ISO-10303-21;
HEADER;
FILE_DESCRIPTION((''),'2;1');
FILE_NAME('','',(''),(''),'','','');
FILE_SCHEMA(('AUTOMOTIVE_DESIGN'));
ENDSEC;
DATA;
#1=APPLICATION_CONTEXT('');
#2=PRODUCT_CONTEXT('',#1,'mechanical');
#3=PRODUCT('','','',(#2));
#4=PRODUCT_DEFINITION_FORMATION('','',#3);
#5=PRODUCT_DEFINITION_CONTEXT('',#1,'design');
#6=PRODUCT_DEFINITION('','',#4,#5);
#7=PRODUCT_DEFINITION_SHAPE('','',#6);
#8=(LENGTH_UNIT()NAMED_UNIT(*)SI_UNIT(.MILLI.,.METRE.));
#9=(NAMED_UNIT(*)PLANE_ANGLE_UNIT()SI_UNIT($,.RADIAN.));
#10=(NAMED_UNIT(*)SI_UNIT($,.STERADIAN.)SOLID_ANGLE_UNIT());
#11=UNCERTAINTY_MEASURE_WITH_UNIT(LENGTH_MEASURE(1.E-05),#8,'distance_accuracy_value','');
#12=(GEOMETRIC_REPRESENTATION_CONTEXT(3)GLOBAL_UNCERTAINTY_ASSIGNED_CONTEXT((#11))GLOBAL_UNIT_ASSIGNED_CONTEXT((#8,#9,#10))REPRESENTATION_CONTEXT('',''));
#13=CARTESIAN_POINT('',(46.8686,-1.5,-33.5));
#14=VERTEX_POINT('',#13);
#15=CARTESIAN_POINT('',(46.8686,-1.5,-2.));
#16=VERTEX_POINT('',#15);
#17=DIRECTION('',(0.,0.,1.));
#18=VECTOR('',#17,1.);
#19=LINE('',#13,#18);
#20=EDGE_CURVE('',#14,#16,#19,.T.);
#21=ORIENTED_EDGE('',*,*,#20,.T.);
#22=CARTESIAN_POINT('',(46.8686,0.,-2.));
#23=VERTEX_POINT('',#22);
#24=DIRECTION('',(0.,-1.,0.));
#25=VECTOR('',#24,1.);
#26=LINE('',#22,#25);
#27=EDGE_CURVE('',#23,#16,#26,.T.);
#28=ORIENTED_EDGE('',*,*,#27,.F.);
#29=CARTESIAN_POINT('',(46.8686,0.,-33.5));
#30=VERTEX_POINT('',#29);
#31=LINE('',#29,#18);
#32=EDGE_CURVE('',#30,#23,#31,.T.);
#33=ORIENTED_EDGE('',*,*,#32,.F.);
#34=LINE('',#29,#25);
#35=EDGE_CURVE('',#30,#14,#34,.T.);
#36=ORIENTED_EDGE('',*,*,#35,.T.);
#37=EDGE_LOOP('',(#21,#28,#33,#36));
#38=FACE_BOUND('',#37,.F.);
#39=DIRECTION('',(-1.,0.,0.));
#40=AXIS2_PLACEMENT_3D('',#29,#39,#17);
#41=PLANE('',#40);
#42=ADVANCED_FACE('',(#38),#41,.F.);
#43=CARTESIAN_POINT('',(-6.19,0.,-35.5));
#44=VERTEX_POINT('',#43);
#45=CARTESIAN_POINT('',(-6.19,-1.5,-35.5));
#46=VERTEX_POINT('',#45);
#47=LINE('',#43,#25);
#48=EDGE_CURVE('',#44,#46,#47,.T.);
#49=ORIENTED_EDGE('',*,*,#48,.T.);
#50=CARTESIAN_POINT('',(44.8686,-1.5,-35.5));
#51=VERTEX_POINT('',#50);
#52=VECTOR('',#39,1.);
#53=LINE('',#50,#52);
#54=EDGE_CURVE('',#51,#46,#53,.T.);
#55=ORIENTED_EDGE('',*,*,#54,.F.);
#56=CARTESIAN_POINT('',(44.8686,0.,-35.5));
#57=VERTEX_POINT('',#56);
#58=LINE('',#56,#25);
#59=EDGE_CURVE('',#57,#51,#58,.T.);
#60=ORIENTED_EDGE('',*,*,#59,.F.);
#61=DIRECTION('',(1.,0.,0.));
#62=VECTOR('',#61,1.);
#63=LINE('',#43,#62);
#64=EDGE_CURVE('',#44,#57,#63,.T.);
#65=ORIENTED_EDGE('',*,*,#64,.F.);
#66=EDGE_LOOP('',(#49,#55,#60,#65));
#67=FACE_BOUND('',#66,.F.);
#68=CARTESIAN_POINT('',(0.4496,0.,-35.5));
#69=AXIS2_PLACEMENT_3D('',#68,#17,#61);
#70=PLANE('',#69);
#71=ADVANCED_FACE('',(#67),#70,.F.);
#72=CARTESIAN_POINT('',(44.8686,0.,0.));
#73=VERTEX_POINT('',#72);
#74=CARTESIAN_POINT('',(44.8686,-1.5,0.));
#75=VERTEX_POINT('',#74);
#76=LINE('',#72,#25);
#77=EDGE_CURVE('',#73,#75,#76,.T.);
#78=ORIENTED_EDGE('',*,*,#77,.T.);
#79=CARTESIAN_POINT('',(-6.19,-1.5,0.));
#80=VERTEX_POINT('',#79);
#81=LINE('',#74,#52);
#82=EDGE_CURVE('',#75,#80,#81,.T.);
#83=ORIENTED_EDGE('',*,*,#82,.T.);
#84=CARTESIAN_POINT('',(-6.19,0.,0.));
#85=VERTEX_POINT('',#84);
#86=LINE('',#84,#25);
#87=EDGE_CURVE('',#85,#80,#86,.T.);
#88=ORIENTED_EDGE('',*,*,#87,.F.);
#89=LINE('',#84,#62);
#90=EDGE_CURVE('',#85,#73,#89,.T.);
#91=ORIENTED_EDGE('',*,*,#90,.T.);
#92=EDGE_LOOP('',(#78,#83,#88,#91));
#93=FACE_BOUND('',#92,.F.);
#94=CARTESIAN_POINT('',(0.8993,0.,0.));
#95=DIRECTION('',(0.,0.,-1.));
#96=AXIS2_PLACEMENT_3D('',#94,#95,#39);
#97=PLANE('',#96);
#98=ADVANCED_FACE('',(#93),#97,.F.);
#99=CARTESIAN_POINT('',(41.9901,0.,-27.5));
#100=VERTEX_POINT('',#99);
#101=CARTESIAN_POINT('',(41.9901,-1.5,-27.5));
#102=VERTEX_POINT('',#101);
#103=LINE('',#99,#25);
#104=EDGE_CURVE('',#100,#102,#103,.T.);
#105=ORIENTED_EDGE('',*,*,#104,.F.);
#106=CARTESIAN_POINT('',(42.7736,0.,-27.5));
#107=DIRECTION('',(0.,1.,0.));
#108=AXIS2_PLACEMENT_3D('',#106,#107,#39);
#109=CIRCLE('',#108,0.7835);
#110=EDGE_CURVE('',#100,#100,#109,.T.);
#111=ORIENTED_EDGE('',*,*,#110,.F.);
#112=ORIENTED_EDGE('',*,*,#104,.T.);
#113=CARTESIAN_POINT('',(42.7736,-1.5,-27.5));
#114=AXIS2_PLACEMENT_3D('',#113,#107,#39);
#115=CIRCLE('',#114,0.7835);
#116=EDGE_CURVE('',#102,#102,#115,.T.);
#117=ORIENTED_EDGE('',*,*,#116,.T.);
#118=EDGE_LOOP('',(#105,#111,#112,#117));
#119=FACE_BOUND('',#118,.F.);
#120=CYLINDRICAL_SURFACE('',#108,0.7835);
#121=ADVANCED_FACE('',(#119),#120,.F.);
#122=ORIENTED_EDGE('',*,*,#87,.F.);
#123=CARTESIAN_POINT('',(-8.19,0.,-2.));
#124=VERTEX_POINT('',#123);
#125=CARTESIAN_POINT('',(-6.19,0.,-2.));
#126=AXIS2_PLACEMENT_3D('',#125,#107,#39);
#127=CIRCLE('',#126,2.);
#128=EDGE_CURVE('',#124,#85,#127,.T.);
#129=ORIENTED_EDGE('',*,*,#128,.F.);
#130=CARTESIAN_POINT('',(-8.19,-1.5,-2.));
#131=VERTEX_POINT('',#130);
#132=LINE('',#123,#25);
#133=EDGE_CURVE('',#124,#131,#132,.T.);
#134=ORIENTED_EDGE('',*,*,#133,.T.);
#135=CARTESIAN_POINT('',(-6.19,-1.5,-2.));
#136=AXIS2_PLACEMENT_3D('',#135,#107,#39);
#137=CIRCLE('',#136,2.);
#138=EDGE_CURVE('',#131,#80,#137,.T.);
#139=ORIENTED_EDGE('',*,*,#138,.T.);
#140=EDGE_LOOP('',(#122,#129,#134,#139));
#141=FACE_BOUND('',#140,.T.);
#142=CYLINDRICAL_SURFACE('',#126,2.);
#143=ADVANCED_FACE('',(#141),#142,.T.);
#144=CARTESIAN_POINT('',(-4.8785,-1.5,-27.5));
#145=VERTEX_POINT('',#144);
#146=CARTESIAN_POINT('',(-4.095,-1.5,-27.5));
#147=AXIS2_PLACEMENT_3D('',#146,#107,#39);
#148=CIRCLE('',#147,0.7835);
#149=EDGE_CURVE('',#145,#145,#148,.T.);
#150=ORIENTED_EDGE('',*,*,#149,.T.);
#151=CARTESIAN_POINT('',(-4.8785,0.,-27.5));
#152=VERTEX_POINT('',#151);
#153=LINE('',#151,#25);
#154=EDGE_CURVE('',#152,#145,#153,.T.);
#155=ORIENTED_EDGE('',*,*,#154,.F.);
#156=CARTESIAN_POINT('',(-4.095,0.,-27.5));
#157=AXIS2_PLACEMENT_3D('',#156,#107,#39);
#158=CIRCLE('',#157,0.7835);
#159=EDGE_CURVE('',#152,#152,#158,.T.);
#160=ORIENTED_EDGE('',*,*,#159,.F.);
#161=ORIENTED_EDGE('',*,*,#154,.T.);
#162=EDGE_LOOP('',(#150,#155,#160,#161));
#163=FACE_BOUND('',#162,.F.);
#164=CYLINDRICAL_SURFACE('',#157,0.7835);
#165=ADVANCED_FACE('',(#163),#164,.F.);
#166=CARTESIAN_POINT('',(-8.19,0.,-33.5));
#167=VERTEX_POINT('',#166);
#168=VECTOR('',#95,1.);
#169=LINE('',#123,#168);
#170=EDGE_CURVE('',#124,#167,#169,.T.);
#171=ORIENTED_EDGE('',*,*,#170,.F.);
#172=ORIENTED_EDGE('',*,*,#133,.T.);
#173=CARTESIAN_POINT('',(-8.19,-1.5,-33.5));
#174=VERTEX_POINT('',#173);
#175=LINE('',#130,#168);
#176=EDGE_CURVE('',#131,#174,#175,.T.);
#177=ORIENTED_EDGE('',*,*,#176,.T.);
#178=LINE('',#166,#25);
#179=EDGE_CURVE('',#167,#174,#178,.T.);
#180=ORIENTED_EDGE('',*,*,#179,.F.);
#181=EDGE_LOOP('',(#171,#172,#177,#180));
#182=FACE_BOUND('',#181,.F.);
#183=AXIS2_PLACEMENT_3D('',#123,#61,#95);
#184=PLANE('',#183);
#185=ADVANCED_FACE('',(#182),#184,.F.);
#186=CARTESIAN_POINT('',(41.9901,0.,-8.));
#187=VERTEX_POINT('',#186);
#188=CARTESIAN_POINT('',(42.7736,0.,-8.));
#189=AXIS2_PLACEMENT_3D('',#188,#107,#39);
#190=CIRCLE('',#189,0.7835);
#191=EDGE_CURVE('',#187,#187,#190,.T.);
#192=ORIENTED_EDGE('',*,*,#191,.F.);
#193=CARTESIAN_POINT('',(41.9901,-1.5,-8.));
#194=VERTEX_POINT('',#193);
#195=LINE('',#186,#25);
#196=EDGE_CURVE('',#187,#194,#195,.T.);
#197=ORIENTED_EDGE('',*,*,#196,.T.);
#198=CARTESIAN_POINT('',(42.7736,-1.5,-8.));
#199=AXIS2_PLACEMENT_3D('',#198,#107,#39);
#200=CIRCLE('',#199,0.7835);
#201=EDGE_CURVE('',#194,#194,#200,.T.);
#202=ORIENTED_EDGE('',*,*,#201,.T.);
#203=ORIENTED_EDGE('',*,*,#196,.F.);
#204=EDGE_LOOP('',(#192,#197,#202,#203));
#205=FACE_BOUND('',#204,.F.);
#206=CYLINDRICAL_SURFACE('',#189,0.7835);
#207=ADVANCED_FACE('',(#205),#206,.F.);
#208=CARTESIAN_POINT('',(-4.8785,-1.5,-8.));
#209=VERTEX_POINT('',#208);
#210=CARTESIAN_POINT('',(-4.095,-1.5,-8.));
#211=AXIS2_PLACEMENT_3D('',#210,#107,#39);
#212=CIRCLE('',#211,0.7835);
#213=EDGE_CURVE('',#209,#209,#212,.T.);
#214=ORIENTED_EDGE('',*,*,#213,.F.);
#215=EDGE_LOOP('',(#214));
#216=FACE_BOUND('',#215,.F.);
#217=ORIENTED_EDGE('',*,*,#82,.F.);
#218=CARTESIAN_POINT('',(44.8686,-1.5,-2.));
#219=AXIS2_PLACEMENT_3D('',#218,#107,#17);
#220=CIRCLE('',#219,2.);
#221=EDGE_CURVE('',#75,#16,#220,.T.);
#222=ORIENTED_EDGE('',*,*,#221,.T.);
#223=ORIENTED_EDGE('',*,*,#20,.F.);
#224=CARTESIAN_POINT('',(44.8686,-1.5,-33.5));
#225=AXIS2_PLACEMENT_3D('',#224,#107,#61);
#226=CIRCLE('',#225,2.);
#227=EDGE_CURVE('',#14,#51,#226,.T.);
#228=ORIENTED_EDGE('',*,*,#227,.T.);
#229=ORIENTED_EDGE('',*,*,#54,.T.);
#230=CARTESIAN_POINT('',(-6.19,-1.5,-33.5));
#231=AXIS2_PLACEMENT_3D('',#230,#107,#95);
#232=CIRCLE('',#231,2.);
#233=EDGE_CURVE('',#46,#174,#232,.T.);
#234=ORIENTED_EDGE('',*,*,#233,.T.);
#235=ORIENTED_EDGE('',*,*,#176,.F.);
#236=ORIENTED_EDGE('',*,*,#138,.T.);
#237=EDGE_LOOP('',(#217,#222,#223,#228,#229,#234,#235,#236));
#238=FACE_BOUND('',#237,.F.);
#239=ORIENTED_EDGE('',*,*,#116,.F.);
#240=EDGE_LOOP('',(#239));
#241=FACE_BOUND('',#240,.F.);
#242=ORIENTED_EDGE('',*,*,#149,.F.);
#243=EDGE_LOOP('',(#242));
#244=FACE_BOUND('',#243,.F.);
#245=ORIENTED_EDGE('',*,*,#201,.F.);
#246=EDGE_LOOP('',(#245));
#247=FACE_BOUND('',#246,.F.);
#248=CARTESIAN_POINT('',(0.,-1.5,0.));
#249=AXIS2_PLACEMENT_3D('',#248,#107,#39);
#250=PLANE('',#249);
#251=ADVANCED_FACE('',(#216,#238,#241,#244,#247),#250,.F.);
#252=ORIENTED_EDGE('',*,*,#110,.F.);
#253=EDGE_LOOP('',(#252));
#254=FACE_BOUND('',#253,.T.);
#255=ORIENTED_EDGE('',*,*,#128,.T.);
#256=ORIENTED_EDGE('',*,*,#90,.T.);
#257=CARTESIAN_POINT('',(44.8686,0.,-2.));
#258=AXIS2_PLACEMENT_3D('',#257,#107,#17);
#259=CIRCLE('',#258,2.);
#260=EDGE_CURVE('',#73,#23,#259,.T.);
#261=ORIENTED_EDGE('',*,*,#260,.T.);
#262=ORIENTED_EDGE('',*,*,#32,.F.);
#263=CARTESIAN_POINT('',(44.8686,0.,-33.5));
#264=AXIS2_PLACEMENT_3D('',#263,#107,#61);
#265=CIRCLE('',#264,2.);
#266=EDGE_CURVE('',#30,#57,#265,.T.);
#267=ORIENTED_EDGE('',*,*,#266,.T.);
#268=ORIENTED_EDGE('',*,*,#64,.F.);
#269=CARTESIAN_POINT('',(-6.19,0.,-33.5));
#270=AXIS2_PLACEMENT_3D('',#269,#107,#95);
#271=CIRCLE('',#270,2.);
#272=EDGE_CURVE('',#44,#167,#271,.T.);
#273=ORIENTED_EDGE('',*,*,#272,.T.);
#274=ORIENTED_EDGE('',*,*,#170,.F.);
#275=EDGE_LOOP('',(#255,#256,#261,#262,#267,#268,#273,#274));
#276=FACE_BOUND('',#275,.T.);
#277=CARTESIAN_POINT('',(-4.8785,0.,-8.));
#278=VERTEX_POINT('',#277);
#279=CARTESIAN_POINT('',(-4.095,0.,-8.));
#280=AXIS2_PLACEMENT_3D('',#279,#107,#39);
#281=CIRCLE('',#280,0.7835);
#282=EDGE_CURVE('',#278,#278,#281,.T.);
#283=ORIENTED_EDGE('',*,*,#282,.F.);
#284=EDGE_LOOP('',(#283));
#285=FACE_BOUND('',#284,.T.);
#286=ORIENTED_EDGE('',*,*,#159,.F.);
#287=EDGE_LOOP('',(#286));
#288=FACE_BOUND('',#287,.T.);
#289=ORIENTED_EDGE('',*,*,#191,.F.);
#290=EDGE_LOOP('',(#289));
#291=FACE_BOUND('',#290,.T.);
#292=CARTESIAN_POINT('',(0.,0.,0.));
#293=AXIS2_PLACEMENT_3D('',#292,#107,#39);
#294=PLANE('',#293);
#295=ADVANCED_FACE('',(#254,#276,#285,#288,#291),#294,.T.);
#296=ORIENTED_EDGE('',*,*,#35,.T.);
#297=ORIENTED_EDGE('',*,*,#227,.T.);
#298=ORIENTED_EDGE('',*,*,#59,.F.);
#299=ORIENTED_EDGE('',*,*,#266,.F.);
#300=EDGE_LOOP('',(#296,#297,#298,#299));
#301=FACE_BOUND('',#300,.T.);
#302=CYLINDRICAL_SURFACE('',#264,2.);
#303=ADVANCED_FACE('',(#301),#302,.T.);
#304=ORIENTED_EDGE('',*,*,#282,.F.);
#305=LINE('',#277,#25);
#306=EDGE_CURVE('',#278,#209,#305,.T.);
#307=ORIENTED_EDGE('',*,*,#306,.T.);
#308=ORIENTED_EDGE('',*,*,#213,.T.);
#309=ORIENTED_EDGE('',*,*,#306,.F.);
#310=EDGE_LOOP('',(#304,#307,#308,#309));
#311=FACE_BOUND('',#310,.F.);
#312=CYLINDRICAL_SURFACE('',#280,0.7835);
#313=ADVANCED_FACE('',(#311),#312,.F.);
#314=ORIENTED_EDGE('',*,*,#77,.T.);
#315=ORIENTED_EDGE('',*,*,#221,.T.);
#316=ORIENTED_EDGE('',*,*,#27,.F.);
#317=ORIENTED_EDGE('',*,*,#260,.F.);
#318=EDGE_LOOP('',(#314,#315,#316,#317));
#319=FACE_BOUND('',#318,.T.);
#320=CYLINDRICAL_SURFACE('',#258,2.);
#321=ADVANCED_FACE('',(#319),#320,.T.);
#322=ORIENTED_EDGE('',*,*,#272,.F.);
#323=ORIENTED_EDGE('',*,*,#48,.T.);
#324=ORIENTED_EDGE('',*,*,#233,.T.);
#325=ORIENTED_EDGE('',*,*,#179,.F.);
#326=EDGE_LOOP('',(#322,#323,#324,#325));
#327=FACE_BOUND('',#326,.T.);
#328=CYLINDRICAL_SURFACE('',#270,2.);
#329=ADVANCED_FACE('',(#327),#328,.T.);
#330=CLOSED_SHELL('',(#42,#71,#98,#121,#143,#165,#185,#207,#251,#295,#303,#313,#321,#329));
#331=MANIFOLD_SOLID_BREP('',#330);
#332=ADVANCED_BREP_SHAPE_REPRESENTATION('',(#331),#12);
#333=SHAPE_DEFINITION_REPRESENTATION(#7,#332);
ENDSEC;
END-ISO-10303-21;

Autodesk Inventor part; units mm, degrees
ref_plane "YZ Plane" through (0, 0, 0) normal (1, 0, 0) x (0, 1, 0)
ref_plane "XZ Plane" through (0, 0, 0) normal (0, 1, 0) x (-1, 0, 0)
ref_plane "XY Plane" through (0, 0, 0) normal (0, 0, 1) x (1, 0, 0)
sketch "Sketch1" plane through (0, 0, 0) normal (0, 1, 0) x (-1, 0, 0)
  line L0 (-0.4496, -35.5) -> (-0.4496, 0)
  line L1 (-38.2289, 0) -> (-38.2289, -35.5)
  circle A0 centre (-42.7736, -8) radius 0.7835
  circle A1 centre (-42.7736, -27.5) radius 0.7835
  circle A2 centre (4.095, -27.5) radius 0.7835
  circle A3 centre (4.095, -8) radius 0.7835
  arc A4 (-44.8686, 0) -> (-46.8686, -2) centre (-44.8686, -2) ccw
  line L2 (-46.8686, -33.5) -> (-46.8686, -2)
  arc A5 (-46.8686, -33.5) -> (-44.8686, -35.5) centre (-44.8686, -33.5) ccw
  arc A6 (8.19, -2) -> (6.19, 0) centre (6.19, -2) ccw
  line L3 (-44.8686, 0) -> (6.19, 0)
  arc A7 (6.19, -35.5) -> (8.19, -33.5) centre (6.19, -33.5) ccw
  line L4 (6.19, -35.5) -> (-44.8686, -35.5)
  line L5 (8.19, -2) -> (8.19, -33.5)
  line L6 (-38.6786, -35.5) -> (-38.6786, 0)
  line L7 (-37.7793, 0) -> (-37.7793, -35.5)
  line L8 (-0.8993, -35.5) -> (-0.8993, 0)
  line L9 (0, 0) -> (0, -35.5)
  point P0 (0, 0)
extrude "Plate1" add sketch "Sketch1" against normal blind 1.5
equation "\"d0\" = Thickness"
equation "\"BendReliefWidth\" = Thickness"
equation "\"BendReliefDepth\" = 0.5 * Thickness"
equation "\"CornerReliefSize\" = 4 * Thickness"
equation "\"MinimumRemnant\" = 2 * Thickness"
equation "\"TransitionRadius\" = BendRadius"
equation "\"JacobiRadiusSize\" = BendRadius"
equation "\"GapSize\" = Thickness"
equation "\"Thickness\" = 1.5"
equation "\"BendRadius\" = 0.31"
properties part number "CAM_ㄷ_frame_3" material "Aluminum 6061"
